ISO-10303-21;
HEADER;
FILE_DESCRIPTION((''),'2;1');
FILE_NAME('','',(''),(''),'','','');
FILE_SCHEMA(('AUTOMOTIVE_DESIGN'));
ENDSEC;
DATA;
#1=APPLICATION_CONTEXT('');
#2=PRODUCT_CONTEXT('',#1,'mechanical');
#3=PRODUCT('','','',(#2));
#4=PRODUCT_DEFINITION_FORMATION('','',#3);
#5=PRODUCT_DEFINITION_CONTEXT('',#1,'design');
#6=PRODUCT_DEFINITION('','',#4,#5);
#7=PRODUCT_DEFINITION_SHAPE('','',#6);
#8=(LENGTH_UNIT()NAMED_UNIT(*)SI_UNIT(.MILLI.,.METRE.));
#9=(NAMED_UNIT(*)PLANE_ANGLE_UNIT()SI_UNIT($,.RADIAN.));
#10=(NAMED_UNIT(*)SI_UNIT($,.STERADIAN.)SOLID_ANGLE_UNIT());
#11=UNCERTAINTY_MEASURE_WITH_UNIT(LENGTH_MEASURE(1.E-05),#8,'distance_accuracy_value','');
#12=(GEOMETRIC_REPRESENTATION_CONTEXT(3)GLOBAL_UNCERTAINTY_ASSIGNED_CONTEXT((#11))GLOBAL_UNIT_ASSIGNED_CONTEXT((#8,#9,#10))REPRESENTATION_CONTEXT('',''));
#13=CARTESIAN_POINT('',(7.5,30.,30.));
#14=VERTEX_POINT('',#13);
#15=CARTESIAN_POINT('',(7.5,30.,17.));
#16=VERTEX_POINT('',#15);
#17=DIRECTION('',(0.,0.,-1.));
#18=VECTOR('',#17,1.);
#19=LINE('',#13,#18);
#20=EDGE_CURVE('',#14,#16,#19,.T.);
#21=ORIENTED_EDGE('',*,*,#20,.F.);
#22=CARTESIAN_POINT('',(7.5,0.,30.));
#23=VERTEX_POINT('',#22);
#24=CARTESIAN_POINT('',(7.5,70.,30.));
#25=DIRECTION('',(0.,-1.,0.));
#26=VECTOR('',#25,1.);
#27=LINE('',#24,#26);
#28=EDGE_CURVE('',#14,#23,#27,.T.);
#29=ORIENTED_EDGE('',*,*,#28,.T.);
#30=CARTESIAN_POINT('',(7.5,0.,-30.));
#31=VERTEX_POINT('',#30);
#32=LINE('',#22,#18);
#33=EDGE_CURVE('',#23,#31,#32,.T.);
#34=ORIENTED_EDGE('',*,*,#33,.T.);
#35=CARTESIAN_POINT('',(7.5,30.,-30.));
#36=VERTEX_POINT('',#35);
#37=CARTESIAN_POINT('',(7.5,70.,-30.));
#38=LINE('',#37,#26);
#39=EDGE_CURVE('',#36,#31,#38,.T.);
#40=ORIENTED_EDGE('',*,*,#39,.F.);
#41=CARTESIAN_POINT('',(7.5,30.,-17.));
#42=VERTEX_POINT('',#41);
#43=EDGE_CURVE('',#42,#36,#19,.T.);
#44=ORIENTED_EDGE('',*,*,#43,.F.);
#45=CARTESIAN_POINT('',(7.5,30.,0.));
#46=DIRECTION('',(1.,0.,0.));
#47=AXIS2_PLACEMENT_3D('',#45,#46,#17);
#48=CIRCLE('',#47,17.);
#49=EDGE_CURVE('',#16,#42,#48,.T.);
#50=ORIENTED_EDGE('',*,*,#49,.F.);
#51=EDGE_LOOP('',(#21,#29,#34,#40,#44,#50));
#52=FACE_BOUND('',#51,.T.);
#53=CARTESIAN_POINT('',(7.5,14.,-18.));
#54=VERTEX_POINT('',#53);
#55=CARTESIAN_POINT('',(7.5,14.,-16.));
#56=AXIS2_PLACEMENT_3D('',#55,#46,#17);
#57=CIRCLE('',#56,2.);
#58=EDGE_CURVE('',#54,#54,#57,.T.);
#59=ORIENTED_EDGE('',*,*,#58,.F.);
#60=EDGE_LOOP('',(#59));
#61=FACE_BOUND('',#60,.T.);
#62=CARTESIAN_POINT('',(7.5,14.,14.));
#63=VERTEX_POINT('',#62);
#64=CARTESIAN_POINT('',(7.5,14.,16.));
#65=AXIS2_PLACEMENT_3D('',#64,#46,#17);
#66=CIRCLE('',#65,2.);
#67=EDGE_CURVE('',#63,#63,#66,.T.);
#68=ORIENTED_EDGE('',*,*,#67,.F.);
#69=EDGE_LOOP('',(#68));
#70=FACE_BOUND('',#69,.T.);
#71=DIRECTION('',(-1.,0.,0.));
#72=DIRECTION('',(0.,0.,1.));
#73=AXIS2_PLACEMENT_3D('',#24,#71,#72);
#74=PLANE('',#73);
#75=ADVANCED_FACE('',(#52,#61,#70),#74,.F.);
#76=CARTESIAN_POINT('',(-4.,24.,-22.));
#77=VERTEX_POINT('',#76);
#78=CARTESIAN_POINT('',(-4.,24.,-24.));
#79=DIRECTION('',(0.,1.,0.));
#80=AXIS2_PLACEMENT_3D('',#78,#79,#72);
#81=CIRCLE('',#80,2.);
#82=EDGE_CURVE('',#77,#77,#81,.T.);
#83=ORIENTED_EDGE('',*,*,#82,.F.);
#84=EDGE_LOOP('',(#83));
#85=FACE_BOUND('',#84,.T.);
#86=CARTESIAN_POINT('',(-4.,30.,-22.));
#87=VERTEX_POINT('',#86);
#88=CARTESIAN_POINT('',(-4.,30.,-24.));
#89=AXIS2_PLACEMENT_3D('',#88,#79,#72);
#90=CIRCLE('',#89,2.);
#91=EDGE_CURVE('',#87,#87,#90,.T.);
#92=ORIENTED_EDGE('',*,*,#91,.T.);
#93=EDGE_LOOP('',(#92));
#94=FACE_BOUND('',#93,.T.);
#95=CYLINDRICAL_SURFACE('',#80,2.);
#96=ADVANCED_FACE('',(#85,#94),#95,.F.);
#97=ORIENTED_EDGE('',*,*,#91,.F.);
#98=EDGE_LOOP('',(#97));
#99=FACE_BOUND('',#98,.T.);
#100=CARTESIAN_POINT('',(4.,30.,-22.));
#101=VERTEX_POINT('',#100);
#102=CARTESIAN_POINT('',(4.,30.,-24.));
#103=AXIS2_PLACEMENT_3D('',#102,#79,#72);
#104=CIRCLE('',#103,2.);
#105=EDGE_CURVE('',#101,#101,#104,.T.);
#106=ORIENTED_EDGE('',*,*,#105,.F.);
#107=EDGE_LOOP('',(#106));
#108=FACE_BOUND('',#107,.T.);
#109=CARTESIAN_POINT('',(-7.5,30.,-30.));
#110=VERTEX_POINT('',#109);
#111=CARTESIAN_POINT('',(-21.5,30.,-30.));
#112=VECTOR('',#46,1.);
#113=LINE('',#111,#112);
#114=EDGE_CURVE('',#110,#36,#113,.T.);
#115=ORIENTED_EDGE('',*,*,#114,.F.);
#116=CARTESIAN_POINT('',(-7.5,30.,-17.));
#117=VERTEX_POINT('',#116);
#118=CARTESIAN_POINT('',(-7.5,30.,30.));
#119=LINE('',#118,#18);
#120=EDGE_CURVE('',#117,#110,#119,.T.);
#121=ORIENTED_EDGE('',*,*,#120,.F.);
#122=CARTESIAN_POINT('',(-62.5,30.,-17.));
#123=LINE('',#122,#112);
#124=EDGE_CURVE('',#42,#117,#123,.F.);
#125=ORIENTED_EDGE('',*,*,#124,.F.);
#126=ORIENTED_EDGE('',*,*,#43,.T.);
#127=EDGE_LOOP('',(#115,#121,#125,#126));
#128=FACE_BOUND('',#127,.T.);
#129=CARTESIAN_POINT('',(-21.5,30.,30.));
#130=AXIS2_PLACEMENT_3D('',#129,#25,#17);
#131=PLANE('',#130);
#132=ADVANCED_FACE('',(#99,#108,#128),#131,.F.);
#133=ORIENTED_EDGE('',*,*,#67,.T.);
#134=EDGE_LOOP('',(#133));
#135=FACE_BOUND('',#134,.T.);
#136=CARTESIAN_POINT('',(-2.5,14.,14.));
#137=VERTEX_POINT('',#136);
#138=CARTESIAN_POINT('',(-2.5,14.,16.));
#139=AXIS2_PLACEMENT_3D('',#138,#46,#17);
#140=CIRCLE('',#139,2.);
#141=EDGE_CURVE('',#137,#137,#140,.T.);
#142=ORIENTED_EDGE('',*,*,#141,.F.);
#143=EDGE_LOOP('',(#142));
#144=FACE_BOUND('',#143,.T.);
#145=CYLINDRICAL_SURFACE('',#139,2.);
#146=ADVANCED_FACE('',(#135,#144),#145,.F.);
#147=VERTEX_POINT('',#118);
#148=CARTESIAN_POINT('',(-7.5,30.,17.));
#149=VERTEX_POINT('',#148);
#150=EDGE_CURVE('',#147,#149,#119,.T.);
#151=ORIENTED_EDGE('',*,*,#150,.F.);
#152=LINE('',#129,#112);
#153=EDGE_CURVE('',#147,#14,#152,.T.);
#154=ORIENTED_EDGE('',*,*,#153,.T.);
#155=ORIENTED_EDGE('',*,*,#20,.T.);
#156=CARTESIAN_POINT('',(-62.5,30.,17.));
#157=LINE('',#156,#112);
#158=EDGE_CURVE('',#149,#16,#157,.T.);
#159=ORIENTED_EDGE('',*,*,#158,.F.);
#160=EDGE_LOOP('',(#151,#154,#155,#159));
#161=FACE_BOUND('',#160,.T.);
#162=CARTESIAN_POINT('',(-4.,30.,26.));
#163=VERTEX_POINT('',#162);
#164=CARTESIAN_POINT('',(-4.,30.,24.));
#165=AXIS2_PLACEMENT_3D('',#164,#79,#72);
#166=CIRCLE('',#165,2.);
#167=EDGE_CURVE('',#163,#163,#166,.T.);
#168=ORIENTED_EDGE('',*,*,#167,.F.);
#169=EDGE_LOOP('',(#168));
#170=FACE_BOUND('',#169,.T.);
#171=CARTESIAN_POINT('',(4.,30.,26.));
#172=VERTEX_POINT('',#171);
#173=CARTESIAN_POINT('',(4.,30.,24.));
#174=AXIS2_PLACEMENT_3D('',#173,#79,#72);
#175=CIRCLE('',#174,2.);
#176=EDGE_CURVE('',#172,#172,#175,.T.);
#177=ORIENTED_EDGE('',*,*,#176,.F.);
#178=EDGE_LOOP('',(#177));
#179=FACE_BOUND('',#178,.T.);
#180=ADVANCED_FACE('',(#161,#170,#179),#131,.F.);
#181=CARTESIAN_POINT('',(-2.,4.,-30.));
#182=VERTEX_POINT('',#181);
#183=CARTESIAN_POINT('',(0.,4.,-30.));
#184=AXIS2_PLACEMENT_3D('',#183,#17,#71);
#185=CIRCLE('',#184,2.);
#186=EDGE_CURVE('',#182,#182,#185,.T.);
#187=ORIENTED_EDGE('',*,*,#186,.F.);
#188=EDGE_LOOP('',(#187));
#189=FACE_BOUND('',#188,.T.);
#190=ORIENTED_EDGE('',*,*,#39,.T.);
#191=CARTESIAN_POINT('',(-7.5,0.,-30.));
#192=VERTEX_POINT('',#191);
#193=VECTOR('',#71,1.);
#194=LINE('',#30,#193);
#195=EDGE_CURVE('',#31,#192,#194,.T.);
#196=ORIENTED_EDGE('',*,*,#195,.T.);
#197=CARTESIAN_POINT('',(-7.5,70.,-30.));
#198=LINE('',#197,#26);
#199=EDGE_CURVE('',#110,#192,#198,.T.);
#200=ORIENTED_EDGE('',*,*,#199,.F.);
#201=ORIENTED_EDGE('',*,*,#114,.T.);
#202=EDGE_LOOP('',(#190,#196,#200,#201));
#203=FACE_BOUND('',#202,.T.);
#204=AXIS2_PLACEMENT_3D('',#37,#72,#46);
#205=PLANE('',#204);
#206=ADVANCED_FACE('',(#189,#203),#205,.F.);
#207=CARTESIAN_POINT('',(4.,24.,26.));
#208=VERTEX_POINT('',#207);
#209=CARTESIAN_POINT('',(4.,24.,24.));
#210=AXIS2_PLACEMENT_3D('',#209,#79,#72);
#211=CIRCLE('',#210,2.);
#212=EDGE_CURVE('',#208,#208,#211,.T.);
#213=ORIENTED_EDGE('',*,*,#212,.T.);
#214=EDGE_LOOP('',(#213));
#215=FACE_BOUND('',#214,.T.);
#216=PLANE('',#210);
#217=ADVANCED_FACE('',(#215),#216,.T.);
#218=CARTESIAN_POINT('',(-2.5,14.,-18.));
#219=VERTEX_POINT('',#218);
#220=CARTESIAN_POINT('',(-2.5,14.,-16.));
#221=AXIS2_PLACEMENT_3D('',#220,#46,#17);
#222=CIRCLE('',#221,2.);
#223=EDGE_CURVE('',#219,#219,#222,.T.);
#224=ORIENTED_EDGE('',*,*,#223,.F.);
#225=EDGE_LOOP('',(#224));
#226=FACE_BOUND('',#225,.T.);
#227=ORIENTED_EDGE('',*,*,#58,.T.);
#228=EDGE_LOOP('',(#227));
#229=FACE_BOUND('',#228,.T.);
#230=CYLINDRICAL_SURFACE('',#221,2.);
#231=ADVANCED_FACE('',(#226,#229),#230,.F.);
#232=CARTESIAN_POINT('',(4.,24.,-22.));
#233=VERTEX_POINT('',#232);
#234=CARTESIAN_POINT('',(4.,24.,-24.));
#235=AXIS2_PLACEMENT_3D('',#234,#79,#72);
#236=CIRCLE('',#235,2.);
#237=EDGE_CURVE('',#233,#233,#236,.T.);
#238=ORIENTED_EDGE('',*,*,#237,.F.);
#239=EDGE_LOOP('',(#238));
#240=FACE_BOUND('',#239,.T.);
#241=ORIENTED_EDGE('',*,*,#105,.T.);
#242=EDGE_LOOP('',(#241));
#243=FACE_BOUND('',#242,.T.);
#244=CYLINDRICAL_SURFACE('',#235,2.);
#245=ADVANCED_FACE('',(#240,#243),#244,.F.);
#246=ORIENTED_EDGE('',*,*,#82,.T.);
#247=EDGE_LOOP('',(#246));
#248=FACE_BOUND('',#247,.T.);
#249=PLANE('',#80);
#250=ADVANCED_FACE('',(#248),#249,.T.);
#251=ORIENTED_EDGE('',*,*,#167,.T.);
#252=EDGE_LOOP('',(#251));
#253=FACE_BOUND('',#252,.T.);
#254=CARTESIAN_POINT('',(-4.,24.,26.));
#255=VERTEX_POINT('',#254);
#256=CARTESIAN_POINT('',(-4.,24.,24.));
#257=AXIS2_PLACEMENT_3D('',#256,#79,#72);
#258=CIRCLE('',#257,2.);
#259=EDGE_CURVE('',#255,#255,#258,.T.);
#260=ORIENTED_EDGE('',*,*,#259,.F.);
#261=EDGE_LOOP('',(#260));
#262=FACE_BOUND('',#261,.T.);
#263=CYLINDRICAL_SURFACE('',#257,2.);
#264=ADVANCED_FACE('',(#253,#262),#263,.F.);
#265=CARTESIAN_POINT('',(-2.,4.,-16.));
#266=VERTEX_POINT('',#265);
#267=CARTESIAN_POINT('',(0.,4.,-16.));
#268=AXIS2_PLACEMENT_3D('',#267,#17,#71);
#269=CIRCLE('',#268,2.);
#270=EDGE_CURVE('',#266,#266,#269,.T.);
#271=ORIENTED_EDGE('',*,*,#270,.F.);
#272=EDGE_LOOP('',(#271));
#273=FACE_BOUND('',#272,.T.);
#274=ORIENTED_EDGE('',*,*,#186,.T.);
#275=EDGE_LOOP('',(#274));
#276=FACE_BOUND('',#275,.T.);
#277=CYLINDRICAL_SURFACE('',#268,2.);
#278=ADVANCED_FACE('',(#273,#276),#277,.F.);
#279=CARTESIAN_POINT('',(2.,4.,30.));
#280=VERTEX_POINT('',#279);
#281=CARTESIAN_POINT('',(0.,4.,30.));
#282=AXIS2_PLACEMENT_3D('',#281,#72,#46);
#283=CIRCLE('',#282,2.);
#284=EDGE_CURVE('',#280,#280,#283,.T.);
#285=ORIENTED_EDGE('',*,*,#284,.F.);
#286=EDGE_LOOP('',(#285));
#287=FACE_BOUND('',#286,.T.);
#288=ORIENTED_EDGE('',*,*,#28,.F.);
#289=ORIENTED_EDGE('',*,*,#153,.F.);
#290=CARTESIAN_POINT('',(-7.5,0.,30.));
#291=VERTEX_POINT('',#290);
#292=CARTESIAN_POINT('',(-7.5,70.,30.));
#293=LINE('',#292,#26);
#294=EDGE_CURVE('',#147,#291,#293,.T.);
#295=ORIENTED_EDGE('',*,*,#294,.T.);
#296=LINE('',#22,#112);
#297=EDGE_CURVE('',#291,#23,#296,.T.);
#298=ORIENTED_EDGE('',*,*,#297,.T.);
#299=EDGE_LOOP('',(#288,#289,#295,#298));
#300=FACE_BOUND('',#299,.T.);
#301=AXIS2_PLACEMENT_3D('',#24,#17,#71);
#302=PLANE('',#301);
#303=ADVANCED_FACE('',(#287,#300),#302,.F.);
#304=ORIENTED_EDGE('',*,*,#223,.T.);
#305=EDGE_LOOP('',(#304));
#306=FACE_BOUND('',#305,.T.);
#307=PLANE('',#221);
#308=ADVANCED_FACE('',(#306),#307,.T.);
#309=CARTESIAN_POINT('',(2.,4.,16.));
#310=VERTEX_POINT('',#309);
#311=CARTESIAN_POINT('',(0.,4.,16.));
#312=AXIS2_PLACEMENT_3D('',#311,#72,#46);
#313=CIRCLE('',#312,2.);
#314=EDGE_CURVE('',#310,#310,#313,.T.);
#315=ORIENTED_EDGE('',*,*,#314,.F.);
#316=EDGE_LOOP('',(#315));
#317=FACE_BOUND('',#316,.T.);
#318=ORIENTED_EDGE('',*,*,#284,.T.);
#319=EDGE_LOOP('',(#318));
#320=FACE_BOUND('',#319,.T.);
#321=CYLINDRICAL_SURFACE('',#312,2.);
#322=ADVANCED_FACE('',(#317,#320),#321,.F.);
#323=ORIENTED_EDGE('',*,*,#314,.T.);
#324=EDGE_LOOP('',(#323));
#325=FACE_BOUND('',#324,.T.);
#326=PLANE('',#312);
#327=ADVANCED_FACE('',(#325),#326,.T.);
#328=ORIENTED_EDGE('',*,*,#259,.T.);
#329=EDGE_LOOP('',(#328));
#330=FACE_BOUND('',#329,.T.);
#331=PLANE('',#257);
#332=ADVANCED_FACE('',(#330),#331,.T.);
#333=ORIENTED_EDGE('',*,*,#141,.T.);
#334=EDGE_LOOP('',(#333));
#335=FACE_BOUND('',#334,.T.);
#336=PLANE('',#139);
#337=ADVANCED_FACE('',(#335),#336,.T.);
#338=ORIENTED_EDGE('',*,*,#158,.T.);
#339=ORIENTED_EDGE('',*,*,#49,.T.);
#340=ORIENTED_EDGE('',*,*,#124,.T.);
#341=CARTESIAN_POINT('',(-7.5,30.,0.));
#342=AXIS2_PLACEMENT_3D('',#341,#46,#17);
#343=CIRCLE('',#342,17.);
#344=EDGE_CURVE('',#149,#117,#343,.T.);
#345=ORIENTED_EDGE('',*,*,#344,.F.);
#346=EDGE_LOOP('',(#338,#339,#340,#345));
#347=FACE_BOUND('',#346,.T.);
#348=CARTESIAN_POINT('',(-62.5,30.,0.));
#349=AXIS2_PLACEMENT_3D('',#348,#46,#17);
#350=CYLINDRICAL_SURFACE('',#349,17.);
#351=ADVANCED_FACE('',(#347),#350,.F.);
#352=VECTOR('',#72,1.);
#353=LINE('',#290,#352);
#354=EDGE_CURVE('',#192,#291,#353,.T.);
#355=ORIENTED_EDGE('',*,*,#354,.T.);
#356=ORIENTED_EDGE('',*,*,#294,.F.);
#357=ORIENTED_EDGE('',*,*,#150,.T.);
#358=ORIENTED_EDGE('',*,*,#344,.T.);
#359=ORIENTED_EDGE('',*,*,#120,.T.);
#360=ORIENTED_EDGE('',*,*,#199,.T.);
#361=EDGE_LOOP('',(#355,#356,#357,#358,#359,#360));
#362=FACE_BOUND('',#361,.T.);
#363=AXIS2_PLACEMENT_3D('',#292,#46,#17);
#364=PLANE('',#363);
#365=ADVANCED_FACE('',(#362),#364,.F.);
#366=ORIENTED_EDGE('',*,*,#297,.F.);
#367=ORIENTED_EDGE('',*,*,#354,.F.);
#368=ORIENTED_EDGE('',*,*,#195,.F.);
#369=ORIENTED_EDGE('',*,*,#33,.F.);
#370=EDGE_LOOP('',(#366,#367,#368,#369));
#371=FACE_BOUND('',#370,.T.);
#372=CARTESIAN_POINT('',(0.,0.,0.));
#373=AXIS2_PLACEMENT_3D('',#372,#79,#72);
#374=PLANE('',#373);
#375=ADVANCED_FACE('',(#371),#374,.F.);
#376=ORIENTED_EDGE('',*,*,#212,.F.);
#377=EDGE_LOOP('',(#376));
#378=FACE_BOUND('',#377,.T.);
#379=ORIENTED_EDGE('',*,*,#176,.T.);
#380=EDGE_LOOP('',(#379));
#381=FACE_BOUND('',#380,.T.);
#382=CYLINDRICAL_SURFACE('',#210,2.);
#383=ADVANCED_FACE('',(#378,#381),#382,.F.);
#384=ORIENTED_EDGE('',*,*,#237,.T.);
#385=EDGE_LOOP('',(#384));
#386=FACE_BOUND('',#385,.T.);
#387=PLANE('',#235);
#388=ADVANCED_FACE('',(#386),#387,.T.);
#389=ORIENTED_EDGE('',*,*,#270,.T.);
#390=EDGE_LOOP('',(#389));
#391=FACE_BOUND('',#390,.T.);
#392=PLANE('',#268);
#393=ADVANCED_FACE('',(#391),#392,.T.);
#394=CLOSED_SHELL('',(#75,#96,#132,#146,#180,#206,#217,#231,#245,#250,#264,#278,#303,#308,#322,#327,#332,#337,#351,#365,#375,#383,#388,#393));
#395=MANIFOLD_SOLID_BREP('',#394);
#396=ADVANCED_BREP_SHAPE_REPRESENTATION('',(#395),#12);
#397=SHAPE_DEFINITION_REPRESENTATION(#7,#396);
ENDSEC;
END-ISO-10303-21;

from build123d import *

# Parameters (mm, degrees)
SKETCH1_W           = 15
SKETCH1_H           = 60
BOSS_EXTRUDE1_DEPTH = 70
SKETCH2_R           = 17
CUT_EXTRUDE1_DEPTH  = 70
SKETCH3_W           = 60
SKETCH3_H           = 40
CUT_EXTRUDE2_DEPTH  = 29
SKETCH4_R           = 2
CUT_EXTRUDE3_DEPTH  = 6
SKETCH5_R           = 2
CUT_EXTRUDE4_DEPTH  = 10
SKETCH6_R           = 2
CUT_EXTRUDE5_DEPTH  = 14
CUT_EXTRUDE6_START  = -14
SKETCH7_R           = 2
CUT_EXTRUDE6_DEPTH  = 14


with BuildPart() as part:
    # Sketch1 → Boss-Extrude1 (new body)
    with BuildSketch(Plane(origin=(0, 0, 0), x_dir=(1, 0, 0), z_dir=(0, 1, 0))):
        Rectangle(SKETCH1_W, SKETCH1_H)
    extrude(amount=BOSS_EXTRUDE1_DEPTH)

    # Sketch2 → Cut-Extrude1 (cut)
    with BuildSketch(Plane(origin=(7.5, 0, 0), x_dir=(0, 0, -1), z_dir=(1, 0, 0))):
        with Locations((0, 30)):
            Circle(SKETCH2_R)
    extrude(amount=-CUT_EXTRUDE1_DEPTH, mode=Mode.SUBTRACT)

    # Sketch3 → Cut-Extrude2 (cut)
    with BuildSketch(Plane(origin=(7.5, 0, 0), x_dir=(0, 0, -1), z_dir=(1, 0, 0))):
        with Locations((0, 50)):
            Rectangle(SKETCH3_W, SKETCH3_H)
    extrude(amount=-CUT_EXTRUDE2_DEPTH, mode=Mode.SUBTRACT)

    # Sketch4 → Cut-Extrude3 (cut)
    with BuildSketch(Plane(origin=(0, 30, 0), x_dir=(1, 0, 0), z_dir=(0, 1, 0))):
        with Locations(Location((-4, 24, 0), (0, 0, 270))):
            Circle(SKETCH4_R)
        with Locations(Location((4, 24, 0), (0, 0, 270))):
            Circle(SKETCH4_R)
        with Locations(Location((-4, -24, 0), (0, 0, 270))):
            Circle(SKETCH4_R)
        with Locations(Location((4, -24, 0), (0, 0, 270))):
            Circle(SKETCH4_R)
    extrude(amount=-CUT_EXTRUDE3_DEPTH, mode=Mode.SUBTRACT)

    # Sketch5 → Cut-Extrude4 (cut)
    with BuildSketch(Plane(origin=(7.5, 0, 0), x_dir=(0, 0, -1), z_dir=(1, 0, 0))):
        with Locations((-16, 14)):
            Circle(SKETCH5_R)
        with Locations((16, 14)):
            Circle(SKETCH5_R)
    extrude(amount=-CUT_EXTRUDE4_DEPTH, mode=Mode.SUBTRACT)

    # Sketch6 → Cut-Extrude5 (cut)
    with BuildSketch(Plane(origin=(0, 0, -30), x_dir=(-1, 0, 0), z_dir=(0, 0, -1))):
        with Locations((0, 4)):
            Circle(SKETCH6_R)
    extrude(amount=-CUT_EXTRUDE5_DEPTH, mode=Mode.SUBTRACT)

    # Sketch7 → Cut-Extrude6 (cut)
    with BuildSketch(Plane.XY.offset(30).offset(CUT_EXTRUDE6_START)):
        with Locations(Location((0, 4, 0), (0, 0, 180))):
            Circle(SKETCH7_R)
    extrude(amount=CUT_EXTRUDE6_DEPTH, mode=Mode.SUBTRACT)


solid = part.part
